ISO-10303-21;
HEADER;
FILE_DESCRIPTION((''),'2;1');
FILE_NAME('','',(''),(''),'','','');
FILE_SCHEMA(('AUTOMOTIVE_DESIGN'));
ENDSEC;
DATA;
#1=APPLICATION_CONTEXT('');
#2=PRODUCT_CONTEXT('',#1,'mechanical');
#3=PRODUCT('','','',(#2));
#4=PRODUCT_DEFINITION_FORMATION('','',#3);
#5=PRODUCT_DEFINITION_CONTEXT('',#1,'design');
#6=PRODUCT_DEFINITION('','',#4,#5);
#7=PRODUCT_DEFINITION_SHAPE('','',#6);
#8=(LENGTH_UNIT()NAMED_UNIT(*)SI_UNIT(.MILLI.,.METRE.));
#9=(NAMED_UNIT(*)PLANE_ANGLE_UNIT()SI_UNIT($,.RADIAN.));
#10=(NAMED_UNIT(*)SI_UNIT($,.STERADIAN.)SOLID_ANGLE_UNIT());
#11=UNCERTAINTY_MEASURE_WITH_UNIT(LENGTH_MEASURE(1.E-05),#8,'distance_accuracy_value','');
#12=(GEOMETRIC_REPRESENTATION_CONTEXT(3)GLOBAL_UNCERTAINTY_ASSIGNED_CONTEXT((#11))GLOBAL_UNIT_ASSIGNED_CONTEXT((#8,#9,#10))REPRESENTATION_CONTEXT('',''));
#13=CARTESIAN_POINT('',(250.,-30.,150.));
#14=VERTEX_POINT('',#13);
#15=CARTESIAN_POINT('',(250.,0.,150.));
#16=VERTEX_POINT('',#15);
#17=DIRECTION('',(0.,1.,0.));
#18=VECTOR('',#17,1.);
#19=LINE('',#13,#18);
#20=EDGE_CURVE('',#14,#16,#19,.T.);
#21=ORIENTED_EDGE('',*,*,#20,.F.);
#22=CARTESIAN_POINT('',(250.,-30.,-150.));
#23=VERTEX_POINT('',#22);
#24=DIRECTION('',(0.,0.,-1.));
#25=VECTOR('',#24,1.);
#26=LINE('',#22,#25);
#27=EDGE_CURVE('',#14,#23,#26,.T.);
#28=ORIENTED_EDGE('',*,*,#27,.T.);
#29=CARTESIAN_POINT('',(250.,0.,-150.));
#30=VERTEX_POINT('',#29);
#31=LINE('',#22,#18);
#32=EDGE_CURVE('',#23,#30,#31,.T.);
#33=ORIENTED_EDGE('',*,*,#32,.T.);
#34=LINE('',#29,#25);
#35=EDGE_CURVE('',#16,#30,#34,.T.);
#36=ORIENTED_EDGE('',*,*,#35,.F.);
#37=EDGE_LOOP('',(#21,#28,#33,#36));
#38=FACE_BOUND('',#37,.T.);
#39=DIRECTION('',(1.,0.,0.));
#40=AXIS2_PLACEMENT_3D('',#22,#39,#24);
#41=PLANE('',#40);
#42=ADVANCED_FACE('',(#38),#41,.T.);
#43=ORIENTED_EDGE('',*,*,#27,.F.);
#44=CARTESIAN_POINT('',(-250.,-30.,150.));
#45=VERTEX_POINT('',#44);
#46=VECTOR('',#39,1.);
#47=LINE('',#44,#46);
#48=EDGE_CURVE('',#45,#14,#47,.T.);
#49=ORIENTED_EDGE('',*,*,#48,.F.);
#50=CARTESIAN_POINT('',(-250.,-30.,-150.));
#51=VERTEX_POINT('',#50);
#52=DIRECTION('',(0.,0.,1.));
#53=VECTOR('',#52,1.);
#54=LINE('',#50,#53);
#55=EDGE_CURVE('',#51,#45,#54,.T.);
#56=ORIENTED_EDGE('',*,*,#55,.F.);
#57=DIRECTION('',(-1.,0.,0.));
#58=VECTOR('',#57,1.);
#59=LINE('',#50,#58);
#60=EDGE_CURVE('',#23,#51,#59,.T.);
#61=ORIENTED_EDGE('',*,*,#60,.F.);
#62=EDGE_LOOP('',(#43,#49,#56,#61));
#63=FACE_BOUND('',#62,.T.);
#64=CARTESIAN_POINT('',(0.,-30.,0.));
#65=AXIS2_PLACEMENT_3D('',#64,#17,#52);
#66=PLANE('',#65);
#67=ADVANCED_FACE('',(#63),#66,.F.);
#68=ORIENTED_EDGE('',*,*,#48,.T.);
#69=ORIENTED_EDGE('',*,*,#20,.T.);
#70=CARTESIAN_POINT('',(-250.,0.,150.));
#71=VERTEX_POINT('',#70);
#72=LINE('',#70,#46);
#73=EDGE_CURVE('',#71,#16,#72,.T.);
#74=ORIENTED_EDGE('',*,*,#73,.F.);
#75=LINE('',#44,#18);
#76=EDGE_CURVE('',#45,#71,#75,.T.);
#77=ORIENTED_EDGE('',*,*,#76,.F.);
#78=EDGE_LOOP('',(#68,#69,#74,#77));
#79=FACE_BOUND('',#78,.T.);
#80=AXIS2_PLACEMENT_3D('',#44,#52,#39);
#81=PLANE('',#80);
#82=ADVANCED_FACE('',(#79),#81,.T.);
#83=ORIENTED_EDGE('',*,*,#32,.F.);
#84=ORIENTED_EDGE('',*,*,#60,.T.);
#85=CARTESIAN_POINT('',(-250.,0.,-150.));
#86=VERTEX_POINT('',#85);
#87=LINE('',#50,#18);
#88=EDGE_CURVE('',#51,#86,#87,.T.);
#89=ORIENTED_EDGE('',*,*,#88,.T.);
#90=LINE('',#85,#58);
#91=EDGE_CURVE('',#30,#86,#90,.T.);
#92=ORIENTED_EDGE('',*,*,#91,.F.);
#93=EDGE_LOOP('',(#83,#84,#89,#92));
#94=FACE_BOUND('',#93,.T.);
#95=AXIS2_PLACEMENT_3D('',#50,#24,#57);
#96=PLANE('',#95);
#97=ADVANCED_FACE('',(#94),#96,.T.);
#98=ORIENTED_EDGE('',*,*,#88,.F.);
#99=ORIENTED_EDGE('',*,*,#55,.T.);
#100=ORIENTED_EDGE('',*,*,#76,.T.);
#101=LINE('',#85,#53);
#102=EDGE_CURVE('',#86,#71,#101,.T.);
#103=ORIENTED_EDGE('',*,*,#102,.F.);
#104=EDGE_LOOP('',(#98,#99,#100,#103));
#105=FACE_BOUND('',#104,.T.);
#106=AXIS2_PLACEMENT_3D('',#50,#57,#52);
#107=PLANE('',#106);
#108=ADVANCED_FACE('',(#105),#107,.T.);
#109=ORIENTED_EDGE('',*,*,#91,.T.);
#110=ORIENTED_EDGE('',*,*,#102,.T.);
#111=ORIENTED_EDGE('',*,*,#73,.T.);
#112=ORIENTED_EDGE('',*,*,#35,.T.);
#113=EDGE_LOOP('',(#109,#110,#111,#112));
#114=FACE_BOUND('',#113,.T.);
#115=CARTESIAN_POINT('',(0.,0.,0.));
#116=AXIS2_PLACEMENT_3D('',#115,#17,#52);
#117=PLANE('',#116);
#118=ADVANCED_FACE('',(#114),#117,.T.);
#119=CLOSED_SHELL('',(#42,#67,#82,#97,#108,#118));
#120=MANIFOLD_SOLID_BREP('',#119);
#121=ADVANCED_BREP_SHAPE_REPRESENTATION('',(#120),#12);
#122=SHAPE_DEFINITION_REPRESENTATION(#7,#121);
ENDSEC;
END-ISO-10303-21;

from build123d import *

# Parameters (mm, degrees)
SKETCH1_W           = 500
SKETCH1_H           = 300
BOSS_EXTRUDE1_DEPTH = 30


with BuildPart() as part:
    # Sketch1 → Boss-Extrude1 (new body)
    with BuildSketch(Plane(origin=(0, 0, 0), x_dir=(1, 0, 0), z_dir=(0, 1, 0))):
        Rectangle(SKETCH1_W, SKETCH1_H)
    extrude(amount=-BOSS_EXTRUDE1_DEPTH)


solid = part.part
